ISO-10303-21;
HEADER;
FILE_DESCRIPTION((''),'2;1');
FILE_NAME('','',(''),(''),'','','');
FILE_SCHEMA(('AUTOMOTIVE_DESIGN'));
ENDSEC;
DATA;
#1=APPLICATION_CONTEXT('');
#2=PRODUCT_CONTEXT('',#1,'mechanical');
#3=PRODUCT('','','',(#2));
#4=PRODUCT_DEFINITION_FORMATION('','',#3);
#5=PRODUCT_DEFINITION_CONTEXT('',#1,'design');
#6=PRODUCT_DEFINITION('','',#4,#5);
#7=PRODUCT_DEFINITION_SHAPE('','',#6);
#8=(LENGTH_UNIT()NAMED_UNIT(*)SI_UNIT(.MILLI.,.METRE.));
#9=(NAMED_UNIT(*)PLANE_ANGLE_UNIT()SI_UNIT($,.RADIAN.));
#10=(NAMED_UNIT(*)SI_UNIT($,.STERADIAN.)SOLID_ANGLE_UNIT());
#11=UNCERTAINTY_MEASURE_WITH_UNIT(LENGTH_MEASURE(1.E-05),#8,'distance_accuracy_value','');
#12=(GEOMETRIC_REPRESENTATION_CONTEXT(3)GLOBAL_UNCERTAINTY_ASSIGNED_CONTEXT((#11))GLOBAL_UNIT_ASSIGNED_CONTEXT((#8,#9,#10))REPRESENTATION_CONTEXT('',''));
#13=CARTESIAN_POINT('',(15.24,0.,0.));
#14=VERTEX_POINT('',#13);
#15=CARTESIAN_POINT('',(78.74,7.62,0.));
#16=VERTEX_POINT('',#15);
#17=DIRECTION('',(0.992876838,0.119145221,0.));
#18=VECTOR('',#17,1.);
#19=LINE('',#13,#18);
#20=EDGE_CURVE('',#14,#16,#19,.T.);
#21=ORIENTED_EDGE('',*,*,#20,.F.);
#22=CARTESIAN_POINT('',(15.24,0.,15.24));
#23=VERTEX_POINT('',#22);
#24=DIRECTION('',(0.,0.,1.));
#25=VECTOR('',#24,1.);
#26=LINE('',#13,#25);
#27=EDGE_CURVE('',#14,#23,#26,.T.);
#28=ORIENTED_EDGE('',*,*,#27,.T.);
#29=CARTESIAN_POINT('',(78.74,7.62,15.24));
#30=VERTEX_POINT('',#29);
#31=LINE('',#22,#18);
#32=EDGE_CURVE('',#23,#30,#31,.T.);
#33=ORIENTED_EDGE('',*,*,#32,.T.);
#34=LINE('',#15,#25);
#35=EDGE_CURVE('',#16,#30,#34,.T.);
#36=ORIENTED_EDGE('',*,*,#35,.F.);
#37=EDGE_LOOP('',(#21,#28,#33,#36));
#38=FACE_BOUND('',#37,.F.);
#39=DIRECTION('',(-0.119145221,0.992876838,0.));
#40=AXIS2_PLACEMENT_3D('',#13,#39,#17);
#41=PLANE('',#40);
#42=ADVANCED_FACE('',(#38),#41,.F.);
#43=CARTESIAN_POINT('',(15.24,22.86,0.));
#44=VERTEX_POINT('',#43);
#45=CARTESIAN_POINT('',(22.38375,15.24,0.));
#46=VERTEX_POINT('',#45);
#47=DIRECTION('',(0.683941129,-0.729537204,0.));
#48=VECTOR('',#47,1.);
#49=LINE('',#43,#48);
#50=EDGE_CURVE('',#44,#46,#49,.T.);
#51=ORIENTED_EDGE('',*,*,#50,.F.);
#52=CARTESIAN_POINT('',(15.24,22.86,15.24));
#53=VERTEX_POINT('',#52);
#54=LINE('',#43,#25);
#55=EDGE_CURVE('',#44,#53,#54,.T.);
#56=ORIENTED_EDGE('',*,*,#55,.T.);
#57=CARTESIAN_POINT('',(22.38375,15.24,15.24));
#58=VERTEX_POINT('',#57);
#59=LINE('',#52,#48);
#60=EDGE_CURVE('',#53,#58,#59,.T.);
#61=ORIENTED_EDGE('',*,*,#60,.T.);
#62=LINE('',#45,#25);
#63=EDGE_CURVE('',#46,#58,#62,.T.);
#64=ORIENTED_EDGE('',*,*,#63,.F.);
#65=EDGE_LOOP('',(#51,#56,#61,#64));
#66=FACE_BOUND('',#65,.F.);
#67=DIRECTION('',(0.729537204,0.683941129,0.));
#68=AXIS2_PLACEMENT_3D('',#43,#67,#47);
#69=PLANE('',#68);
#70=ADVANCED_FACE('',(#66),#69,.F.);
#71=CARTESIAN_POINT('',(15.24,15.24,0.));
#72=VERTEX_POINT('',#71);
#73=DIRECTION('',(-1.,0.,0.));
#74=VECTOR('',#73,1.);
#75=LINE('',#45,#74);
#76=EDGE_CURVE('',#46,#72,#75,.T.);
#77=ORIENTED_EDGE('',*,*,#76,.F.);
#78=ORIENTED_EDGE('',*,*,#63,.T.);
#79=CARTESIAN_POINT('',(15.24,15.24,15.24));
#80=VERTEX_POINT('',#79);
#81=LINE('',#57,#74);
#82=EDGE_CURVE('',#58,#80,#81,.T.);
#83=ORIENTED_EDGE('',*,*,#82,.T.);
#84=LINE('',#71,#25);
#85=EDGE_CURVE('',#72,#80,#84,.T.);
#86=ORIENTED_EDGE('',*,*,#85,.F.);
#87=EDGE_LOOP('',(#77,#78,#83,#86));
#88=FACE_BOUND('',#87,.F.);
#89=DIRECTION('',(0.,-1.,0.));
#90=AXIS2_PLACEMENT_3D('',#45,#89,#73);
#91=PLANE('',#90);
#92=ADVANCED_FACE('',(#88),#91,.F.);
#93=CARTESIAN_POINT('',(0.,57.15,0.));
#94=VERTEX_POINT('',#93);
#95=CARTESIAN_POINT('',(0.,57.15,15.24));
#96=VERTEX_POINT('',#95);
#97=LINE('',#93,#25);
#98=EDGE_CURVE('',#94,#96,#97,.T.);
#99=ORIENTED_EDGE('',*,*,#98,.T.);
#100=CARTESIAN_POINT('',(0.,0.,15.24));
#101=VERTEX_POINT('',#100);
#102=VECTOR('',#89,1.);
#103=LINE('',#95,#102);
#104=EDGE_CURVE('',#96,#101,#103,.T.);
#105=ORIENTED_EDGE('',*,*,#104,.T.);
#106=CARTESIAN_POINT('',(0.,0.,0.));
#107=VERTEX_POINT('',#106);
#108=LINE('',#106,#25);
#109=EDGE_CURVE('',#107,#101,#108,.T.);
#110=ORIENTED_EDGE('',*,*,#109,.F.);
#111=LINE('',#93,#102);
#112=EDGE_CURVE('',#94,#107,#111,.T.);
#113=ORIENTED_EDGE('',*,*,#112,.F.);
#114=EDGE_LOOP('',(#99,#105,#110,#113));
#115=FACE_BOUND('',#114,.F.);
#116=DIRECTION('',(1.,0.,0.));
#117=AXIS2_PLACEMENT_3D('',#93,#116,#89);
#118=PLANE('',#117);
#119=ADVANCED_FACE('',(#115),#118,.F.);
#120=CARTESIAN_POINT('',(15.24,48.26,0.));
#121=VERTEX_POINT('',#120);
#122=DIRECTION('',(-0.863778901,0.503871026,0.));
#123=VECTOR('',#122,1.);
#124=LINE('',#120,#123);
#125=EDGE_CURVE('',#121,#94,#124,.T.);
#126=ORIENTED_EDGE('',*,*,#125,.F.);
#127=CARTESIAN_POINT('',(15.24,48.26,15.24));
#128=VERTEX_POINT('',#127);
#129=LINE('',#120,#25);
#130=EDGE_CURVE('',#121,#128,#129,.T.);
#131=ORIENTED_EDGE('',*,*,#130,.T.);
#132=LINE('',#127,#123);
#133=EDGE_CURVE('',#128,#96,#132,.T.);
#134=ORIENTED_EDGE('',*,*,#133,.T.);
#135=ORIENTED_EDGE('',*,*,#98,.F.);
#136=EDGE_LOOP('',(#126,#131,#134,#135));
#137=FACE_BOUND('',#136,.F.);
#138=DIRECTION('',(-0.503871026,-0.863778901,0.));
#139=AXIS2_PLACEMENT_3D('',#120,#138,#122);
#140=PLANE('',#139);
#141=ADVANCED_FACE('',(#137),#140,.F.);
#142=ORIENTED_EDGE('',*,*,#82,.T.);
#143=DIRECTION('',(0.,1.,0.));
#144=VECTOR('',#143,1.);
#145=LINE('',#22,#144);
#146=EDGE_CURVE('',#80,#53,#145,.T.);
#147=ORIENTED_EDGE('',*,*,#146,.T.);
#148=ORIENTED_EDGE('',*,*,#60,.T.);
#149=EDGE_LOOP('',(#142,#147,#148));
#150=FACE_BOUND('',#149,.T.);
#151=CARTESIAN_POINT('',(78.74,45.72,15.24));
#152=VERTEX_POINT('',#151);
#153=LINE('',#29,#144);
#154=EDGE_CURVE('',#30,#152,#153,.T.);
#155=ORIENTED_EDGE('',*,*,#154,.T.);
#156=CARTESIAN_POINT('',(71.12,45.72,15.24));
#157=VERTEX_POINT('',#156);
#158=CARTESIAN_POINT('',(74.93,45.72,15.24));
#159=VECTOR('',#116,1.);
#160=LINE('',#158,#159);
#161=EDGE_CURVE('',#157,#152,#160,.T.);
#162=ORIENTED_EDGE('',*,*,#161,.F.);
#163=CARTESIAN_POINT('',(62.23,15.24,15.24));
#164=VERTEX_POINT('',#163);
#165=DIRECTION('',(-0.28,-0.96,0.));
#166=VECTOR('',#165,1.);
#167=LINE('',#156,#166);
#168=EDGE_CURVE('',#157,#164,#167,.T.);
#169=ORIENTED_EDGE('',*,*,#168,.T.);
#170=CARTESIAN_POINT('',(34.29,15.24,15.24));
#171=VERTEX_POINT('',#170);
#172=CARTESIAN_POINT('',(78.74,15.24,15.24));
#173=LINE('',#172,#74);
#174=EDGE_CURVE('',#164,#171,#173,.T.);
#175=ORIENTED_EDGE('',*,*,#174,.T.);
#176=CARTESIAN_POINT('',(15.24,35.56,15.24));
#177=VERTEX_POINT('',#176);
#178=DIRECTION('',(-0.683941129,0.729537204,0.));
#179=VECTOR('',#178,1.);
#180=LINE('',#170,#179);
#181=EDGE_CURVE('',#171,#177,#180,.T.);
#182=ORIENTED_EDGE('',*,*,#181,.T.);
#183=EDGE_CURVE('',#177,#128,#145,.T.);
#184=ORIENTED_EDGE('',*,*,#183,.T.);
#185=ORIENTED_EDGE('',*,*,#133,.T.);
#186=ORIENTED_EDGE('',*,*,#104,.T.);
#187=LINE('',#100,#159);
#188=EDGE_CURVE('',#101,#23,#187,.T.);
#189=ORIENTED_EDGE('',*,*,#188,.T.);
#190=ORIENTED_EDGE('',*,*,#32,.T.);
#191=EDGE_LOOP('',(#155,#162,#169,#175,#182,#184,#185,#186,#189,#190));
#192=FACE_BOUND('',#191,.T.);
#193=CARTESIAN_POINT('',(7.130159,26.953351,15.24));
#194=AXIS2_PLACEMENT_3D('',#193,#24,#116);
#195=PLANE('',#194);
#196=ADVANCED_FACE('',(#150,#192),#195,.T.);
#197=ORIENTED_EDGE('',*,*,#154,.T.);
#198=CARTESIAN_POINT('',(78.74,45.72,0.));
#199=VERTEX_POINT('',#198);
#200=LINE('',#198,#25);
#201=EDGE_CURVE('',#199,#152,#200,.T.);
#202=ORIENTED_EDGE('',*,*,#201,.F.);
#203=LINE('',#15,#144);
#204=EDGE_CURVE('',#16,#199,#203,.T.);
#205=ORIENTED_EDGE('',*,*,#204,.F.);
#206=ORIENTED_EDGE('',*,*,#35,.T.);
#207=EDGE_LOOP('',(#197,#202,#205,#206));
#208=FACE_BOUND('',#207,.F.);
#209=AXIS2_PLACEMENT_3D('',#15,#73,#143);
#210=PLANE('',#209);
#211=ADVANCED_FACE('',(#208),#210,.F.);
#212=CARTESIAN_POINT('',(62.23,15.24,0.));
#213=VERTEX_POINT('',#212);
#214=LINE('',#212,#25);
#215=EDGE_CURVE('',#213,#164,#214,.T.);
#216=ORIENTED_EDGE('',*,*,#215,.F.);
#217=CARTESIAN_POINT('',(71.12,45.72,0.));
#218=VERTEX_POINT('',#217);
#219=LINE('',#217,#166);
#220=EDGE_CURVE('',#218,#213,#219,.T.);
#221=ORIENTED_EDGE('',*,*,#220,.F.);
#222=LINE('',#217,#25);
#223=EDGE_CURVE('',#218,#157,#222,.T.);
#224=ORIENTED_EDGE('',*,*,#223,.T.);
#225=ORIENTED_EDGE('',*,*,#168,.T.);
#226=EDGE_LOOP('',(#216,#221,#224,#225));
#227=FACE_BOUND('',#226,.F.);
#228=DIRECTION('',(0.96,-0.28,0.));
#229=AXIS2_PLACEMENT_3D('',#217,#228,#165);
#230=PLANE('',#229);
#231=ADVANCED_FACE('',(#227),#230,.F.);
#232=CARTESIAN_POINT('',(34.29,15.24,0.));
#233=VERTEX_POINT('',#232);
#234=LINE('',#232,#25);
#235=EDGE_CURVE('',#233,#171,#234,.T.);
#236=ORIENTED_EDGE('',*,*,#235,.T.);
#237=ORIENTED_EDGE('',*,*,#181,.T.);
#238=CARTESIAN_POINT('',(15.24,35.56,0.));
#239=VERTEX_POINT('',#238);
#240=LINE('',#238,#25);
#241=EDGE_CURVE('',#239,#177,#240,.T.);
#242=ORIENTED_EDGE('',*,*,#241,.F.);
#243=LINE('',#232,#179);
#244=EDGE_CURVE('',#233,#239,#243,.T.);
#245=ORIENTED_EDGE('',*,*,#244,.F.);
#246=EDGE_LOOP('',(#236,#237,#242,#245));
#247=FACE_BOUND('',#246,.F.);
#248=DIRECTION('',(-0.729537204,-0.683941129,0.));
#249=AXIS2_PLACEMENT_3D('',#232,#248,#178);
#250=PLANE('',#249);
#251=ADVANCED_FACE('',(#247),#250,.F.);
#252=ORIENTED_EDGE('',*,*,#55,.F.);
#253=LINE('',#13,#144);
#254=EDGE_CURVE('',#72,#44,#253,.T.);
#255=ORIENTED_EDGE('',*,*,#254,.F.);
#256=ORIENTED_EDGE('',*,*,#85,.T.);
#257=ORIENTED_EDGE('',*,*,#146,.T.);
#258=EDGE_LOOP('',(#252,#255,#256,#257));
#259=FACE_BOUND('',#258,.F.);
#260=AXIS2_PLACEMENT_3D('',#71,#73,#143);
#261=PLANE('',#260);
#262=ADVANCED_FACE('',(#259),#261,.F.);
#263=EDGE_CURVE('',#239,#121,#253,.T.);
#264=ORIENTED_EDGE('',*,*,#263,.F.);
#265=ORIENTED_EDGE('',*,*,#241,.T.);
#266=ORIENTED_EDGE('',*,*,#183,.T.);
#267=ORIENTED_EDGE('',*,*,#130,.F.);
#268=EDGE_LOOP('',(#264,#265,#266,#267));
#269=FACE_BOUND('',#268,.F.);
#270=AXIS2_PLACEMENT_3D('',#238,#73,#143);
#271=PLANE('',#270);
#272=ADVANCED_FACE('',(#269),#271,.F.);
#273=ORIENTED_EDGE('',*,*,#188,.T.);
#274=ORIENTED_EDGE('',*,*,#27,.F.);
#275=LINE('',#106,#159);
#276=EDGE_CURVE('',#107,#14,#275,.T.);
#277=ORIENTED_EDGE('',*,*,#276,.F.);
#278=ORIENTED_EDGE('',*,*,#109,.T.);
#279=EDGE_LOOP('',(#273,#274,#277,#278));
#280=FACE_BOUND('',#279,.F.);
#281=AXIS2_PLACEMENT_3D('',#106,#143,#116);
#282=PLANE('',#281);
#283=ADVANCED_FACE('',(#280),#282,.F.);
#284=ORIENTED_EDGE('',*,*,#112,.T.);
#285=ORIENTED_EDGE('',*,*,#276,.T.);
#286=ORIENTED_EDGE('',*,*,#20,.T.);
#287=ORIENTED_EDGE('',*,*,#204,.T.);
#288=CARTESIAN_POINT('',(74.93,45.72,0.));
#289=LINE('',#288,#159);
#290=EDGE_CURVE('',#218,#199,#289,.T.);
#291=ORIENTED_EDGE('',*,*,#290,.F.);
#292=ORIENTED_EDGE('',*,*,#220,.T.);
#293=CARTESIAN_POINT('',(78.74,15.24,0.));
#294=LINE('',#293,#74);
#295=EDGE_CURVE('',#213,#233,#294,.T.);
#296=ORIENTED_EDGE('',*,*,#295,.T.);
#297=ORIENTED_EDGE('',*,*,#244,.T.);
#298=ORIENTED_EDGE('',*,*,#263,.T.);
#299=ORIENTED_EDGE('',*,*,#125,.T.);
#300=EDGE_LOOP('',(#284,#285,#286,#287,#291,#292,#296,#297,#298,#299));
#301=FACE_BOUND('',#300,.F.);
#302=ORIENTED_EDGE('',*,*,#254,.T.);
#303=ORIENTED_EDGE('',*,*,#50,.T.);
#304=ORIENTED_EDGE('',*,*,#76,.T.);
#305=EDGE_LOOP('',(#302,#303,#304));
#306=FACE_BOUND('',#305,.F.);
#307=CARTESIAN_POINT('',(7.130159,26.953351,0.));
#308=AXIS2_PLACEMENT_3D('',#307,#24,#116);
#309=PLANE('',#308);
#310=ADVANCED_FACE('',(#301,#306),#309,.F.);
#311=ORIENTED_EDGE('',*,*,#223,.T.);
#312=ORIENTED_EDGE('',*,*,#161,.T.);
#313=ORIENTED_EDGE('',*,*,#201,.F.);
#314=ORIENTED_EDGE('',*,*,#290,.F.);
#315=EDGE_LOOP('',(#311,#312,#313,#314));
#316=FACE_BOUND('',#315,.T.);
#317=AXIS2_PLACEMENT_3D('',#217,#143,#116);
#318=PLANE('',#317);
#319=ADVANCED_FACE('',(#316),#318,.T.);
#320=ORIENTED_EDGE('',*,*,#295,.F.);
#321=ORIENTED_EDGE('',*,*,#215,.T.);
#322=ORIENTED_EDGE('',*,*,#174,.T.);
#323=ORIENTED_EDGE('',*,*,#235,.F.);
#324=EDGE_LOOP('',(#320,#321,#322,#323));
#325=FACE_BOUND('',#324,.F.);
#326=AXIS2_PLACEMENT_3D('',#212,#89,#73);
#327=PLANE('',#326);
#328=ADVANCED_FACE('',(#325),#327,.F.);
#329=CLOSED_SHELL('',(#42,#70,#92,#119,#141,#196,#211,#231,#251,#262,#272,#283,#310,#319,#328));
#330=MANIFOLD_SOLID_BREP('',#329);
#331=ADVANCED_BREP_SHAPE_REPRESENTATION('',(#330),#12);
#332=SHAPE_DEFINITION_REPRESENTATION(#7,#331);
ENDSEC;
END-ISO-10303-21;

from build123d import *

# Parameters (mm, degrees)
F0_W     = 7.62
F0_H     = 30.48
F1_DEPTH = 15.24


with BuildPart() as f1:
    # F0 (on Top) → F1 (new body)
    with BuildSketch(Plane.XY):
        Polygon((15.24, 48.26), (0, 57.15), (0, 0), (15.24, 0), (15.24, 15.24), (15.24, 22.86), (15.24, 35.56), align=None)
        Polygon((34.29, 15.24), (15.24, 35.56), (15.24, 22.86), (22.38375, 15.24), align=None)
        Polygon((15.24, 15.24), (15.24, 0), (78.74, 7.62), (78.74, 15.24), (71.12, 15.24), (62.23, 15.24), (34.29, 15.24), (22.38375, 15.24), align=None)
        Polygon((71.12, 45.72), (62.23, 15.24), (71.12, 15.24), align=None)
        with Locations((74.93, 30.48)):
            Rectangle(F0_W, F0_H)
    extrude(amount=F1_DEPTH)


solid = f1.part
